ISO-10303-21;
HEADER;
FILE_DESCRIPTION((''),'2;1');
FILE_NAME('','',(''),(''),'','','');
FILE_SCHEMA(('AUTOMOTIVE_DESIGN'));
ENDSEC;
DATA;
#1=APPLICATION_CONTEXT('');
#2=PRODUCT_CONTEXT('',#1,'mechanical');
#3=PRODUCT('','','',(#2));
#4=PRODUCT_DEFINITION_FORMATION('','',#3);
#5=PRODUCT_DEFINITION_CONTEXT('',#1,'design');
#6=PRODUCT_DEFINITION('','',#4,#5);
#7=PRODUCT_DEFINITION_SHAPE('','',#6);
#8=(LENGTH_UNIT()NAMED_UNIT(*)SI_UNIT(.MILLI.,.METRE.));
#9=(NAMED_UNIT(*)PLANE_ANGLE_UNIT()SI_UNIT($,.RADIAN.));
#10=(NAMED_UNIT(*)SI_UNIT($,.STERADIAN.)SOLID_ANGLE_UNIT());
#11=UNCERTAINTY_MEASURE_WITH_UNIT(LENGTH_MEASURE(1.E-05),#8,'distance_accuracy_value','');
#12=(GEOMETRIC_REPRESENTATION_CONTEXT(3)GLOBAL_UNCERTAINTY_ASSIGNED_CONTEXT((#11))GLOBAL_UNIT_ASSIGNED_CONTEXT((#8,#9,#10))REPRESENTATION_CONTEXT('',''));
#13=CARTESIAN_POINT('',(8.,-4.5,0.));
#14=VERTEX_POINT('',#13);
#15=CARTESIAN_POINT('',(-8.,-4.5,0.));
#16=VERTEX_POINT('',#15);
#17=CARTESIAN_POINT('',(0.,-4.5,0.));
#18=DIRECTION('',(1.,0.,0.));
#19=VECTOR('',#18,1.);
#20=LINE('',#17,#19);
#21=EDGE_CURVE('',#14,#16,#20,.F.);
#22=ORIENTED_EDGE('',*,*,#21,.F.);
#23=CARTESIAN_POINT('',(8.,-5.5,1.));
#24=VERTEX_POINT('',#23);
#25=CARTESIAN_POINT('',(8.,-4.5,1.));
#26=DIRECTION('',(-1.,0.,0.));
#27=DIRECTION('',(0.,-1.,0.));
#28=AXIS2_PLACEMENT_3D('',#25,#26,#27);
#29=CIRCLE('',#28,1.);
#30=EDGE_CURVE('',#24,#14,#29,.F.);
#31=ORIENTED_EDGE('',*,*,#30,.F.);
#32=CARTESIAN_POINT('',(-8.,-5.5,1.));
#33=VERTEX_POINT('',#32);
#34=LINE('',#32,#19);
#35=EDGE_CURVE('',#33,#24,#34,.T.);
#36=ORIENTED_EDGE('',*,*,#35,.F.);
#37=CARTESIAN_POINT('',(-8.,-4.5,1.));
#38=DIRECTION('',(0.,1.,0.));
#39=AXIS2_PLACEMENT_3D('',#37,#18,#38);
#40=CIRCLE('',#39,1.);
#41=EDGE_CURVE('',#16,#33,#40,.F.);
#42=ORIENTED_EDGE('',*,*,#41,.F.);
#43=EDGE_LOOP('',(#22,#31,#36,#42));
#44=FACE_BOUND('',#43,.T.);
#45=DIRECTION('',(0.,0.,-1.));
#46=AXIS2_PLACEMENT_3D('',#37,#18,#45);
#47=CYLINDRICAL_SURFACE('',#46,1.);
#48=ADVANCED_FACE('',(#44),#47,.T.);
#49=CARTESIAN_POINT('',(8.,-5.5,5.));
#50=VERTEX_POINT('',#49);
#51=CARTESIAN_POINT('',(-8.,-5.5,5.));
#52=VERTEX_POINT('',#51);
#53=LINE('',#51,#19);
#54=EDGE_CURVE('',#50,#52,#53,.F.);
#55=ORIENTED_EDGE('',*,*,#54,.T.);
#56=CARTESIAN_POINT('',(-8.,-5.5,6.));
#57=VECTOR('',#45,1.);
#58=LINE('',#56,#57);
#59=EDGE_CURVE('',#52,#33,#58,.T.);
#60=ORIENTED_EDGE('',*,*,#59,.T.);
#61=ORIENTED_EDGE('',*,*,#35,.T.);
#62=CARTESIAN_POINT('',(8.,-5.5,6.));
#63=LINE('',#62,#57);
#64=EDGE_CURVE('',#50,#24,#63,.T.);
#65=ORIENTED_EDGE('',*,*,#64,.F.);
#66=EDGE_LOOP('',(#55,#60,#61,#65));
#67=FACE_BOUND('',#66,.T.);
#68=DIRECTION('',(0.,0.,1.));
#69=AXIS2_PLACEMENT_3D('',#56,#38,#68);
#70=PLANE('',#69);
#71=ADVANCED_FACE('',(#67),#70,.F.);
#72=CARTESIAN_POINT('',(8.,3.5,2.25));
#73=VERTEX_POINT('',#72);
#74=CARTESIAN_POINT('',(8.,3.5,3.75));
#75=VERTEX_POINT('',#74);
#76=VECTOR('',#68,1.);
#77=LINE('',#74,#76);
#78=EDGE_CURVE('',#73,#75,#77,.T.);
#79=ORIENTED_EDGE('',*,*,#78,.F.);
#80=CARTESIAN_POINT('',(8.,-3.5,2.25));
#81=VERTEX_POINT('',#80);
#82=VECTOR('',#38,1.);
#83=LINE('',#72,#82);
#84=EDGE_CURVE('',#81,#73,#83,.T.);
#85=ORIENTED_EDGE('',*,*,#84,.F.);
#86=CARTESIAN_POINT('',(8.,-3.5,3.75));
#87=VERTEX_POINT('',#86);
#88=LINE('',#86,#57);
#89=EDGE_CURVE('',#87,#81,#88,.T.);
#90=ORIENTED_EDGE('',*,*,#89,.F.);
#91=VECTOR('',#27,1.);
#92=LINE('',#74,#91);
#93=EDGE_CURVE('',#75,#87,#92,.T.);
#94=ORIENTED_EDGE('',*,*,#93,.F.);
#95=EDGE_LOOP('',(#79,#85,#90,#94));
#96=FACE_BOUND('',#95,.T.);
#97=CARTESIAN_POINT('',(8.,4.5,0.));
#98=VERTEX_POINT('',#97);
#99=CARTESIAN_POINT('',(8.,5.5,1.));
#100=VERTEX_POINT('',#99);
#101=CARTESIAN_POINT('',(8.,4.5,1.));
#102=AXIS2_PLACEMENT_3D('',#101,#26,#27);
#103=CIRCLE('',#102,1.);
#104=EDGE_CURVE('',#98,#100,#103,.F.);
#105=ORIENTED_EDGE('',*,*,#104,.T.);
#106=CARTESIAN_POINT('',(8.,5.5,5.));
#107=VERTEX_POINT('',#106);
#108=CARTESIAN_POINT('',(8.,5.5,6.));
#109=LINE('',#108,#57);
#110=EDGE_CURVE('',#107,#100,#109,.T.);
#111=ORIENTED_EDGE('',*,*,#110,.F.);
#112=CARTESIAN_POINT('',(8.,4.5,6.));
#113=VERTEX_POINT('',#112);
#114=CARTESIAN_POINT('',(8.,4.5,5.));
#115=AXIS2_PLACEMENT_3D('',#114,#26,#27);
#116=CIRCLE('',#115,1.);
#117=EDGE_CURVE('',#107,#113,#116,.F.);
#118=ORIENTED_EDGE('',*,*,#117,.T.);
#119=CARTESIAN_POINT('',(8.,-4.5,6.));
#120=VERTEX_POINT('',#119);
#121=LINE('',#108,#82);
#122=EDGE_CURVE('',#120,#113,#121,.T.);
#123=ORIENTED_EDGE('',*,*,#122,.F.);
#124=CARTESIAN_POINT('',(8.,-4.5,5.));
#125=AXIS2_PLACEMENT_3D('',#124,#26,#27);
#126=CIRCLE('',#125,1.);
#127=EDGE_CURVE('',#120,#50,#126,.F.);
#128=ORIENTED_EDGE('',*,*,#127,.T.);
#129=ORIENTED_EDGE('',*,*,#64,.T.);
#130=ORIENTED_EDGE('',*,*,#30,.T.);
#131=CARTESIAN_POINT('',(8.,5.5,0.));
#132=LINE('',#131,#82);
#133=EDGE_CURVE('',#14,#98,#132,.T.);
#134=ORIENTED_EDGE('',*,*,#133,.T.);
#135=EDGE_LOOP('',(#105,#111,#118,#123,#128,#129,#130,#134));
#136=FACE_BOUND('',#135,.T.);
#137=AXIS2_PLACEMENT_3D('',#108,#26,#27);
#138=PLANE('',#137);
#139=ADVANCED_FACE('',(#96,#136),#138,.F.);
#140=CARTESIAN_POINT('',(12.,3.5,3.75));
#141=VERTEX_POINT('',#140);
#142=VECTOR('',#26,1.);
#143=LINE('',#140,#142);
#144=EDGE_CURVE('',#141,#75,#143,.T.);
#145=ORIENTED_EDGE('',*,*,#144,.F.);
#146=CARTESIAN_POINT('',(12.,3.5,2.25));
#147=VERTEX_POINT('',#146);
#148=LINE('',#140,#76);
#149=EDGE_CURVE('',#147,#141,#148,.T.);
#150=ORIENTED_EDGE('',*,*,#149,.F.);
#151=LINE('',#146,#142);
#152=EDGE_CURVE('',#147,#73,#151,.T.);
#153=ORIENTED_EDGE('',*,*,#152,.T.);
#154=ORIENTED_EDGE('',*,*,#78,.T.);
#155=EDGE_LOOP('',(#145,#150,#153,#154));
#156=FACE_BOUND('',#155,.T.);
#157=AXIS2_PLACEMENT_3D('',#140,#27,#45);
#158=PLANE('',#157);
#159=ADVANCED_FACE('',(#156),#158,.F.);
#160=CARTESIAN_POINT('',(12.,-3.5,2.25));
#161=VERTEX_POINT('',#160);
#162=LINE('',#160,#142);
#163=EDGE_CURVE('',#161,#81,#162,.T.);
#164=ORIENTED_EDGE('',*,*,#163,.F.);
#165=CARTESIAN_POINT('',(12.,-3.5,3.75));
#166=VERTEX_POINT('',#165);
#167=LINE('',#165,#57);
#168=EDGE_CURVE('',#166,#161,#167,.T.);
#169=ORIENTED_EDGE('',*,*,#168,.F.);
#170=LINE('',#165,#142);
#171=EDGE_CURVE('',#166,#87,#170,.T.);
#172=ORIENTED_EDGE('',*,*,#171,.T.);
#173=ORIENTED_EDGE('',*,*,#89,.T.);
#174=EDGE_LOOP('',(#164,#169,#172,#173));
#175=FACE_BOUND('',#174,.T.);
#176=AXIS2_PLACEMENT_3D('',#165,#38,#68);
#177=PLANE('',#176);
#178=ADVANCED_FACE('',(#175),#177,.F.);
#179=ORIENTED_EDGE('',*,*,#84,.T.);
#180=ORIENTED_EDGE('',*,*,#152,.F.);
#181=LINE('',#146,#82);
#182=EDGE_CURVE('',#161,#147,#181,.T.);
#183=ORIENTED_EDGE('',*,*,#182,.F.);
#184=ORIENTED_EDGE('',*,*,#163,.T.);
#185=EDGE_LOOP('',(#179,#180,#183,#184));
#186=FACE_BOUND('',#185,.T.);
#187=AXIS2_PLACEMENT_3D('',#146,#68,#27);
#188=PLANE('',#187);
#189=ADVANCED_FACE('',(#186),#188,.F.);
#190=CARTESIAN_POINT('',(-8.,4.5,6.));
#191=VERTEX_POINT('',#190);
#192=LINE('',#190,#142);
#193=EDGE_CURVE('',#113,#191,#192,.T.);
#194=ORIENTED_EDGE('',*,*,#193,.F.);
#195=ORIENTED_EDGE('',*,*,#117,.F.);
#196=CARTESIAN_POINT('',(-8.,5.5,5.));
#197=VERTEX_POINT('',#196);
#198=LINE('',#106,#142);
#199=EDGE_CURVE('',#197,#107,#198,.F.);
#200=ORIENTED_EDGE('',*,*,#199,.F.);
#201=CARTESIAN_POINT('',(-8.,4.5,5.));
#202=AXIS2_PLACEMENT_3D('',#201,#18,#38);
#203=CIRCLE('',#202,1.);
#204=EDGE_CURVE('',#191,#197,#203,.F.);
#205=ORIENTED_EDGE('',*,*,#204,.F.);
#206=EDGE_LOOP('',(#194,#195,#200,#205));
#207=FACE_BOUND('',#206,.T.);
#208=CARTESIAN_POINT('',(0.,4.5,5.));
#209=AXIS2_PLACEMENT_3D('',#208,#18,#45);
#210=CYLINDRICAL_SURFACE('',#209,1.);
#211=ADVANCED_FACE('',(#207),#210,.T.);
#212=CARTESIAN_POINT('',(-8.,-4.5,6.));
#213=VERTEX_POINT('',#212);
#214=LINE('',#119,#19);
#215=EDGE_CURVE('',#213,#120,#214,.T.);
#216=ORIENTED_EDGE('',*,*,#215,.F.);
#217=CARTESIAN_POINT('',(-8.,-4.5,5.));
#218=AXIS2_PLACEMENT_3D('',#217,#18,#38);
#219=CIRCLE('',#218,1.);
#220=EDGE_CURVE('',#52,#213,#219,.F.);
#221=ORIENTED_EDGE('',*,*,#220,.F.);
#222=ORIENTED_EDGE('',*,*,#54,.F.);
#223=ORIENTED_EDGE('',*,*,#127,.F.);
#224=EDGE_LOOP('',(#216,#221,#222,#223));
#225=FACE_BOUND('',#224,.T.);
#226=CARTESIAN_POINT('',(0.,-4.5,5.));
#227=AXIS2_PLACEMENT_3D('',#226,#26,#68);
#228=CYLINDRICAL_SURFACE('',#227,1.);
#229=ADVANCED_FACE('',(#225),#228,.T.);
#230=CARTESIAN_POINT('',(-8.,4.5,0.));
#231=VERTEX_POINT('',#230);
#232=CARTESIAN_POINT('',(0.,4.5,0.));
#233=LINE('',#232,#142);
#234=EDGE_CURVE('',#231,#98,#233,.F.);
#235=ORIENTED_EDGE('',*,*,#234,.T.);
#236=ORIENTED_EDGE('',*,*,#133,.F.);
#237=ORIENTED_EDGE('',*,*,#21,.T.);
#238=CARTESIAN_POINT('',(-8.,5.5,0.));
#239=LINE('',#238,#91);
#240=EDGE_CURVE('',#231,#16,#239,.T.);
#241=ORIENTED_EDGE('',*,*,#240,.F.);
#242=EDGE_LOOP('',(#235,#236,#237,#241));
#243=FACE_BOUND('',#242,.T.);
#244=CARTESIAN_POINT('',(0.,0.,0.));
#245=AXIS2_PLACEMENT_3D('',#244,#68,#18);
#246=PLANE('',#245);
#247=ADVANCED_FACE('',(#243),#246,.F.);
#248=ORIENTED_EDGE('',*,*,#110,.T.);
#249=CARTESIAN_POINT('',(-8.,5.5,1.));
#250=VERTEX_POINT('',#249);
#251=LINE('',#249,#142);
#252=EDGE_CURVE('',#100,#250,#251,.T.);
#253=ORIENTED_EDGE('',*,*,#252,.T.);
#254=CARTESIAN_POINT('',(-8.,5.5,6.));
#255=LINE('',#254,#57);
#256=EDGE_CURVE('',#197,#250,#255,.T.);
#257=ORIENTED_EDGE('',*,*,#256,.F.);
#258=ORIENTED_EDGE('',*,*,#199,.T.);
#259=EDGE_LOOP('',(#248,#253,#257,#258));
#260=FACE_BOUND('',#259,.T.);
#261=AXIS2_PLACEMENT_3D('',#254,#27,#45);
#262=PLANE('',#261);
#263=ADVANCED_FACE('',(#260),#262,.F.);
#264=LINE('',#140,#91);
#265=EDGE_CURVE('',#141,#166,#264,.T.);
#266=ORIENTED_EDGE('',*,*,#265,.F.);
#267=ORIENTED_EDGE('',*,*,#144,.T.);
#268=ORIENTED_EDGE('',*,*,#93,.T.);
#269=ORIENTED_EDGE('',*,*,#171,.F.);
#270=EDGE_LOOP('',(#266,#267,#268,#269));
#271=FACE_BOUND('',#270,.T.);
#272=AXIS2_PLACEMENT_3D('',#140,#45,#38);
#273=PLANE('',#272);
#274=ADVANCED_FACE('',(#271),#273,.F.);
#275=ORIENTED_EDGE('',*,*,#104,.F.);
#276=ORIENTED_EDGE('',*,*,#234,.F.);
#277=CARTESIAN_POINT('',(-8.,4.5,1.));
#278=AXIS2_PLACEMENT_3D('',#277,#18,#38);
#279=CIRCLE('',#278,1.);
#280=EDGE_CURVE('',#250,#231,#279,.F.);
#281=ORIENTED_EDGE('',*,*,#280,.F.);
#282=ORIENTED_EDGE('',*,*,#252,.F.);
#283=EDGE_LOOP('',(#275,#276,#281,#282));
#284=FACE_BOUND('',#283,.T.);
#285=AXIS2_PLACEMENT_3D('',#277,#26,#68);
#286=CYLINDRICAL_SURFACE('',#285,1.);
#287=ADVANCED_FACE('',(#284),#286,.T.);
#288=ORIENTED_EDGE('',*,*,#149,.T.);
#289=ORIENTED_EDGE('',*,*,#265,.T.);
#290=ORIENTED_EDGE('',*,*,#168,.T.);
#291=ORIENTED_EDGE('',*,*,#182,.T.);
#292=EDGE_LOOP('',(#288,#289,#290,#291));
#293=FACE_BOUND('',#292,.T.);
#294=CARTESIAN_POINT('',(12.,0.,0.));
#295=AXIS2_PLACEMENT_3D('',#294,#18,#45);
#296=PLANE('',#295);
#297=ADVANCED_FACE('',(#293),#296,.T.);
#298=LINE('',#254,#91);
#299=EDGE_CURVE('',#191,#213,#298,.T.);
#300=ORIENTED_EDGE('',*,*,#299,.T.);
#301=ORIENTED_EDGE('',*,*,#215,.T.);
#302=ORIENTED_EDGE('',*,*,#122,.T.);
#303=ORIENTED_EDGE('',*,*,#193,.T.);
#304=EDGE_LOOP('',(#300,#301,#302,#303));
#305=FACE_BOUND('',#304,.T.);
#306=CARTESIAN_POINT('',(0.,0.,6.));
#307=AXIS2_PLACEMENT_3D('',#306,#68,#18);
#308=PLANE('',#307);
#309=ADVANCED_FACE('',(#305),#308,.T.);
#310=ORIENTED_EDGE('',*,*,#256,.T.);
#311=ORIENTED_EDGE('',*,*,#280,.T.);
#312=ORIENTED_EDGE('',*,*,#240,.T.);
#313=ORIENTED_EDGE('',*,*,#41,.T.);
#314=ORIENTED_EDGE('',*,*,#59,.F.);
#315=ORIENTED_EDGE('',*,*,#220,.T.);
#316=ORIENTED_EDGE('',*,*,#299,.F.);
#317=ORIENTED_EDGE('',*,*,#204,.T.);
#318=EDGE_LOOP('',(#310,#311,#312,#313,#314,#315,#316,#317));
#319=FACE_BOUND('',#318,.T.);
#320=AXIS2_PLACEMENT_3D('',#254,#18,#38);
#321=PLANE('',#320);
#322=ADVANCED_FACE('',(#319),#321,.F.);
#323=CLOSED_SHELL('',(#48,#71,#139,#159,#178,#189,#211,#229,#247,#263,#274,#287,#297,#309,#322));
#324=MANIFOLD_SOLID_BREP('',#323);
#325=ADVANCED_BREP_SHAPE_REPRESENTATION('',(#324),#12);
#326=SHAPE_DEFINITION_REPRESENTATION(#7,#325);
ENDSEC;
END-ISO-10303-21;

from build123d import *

# Parameters (mm, degrees)
SKICA1_W                = 16
SKICA1_H                = 11
P_IDAT_VYSUNUT_M1_DEPTH = 6
ZAOBLIT1_R              = 1
SKICA2_W                = 1.5
SKICA2_H                = 7
P_IDAT_VYSUNUT_M2_DEPTH = 4


with BuildPart() as part:
    # Skica1 → Přidat vysunutím1 (new body)
    with BuildSketch(Plane.XY):
        Rectangle(SKICA1_W, SKICA1_H)
    extrude(amount=P_IDAT_VYSUNUT_M1_DEPTH)

    # Zaoblit1
    zaoblit1_edges = [part.edges().sort_by_distance(p)[0] for p in [
        (0, -5.5, 6),
        (0, -5.5, 0),
        (0, 5.5, 0),
        (0, 5.5, 6),
    ]]
    fillet(zaoblit1_edges, radius=ZAOBLIT1_R)

    # Skica2 → Přidat vysunutím2 (add)
    with BuildSketch(Plane(origin=(8, 0, 0), x_dir=(0, 0, -1), z_dir=(1, 0, 0))):
        with Locations((-3, 0)):
            Rectangle(SKICA2_W, SKICA2_H)
    extrude(amount=P_IDAT_VYSUNUT_M2_DEPTH)


solid = part.part
